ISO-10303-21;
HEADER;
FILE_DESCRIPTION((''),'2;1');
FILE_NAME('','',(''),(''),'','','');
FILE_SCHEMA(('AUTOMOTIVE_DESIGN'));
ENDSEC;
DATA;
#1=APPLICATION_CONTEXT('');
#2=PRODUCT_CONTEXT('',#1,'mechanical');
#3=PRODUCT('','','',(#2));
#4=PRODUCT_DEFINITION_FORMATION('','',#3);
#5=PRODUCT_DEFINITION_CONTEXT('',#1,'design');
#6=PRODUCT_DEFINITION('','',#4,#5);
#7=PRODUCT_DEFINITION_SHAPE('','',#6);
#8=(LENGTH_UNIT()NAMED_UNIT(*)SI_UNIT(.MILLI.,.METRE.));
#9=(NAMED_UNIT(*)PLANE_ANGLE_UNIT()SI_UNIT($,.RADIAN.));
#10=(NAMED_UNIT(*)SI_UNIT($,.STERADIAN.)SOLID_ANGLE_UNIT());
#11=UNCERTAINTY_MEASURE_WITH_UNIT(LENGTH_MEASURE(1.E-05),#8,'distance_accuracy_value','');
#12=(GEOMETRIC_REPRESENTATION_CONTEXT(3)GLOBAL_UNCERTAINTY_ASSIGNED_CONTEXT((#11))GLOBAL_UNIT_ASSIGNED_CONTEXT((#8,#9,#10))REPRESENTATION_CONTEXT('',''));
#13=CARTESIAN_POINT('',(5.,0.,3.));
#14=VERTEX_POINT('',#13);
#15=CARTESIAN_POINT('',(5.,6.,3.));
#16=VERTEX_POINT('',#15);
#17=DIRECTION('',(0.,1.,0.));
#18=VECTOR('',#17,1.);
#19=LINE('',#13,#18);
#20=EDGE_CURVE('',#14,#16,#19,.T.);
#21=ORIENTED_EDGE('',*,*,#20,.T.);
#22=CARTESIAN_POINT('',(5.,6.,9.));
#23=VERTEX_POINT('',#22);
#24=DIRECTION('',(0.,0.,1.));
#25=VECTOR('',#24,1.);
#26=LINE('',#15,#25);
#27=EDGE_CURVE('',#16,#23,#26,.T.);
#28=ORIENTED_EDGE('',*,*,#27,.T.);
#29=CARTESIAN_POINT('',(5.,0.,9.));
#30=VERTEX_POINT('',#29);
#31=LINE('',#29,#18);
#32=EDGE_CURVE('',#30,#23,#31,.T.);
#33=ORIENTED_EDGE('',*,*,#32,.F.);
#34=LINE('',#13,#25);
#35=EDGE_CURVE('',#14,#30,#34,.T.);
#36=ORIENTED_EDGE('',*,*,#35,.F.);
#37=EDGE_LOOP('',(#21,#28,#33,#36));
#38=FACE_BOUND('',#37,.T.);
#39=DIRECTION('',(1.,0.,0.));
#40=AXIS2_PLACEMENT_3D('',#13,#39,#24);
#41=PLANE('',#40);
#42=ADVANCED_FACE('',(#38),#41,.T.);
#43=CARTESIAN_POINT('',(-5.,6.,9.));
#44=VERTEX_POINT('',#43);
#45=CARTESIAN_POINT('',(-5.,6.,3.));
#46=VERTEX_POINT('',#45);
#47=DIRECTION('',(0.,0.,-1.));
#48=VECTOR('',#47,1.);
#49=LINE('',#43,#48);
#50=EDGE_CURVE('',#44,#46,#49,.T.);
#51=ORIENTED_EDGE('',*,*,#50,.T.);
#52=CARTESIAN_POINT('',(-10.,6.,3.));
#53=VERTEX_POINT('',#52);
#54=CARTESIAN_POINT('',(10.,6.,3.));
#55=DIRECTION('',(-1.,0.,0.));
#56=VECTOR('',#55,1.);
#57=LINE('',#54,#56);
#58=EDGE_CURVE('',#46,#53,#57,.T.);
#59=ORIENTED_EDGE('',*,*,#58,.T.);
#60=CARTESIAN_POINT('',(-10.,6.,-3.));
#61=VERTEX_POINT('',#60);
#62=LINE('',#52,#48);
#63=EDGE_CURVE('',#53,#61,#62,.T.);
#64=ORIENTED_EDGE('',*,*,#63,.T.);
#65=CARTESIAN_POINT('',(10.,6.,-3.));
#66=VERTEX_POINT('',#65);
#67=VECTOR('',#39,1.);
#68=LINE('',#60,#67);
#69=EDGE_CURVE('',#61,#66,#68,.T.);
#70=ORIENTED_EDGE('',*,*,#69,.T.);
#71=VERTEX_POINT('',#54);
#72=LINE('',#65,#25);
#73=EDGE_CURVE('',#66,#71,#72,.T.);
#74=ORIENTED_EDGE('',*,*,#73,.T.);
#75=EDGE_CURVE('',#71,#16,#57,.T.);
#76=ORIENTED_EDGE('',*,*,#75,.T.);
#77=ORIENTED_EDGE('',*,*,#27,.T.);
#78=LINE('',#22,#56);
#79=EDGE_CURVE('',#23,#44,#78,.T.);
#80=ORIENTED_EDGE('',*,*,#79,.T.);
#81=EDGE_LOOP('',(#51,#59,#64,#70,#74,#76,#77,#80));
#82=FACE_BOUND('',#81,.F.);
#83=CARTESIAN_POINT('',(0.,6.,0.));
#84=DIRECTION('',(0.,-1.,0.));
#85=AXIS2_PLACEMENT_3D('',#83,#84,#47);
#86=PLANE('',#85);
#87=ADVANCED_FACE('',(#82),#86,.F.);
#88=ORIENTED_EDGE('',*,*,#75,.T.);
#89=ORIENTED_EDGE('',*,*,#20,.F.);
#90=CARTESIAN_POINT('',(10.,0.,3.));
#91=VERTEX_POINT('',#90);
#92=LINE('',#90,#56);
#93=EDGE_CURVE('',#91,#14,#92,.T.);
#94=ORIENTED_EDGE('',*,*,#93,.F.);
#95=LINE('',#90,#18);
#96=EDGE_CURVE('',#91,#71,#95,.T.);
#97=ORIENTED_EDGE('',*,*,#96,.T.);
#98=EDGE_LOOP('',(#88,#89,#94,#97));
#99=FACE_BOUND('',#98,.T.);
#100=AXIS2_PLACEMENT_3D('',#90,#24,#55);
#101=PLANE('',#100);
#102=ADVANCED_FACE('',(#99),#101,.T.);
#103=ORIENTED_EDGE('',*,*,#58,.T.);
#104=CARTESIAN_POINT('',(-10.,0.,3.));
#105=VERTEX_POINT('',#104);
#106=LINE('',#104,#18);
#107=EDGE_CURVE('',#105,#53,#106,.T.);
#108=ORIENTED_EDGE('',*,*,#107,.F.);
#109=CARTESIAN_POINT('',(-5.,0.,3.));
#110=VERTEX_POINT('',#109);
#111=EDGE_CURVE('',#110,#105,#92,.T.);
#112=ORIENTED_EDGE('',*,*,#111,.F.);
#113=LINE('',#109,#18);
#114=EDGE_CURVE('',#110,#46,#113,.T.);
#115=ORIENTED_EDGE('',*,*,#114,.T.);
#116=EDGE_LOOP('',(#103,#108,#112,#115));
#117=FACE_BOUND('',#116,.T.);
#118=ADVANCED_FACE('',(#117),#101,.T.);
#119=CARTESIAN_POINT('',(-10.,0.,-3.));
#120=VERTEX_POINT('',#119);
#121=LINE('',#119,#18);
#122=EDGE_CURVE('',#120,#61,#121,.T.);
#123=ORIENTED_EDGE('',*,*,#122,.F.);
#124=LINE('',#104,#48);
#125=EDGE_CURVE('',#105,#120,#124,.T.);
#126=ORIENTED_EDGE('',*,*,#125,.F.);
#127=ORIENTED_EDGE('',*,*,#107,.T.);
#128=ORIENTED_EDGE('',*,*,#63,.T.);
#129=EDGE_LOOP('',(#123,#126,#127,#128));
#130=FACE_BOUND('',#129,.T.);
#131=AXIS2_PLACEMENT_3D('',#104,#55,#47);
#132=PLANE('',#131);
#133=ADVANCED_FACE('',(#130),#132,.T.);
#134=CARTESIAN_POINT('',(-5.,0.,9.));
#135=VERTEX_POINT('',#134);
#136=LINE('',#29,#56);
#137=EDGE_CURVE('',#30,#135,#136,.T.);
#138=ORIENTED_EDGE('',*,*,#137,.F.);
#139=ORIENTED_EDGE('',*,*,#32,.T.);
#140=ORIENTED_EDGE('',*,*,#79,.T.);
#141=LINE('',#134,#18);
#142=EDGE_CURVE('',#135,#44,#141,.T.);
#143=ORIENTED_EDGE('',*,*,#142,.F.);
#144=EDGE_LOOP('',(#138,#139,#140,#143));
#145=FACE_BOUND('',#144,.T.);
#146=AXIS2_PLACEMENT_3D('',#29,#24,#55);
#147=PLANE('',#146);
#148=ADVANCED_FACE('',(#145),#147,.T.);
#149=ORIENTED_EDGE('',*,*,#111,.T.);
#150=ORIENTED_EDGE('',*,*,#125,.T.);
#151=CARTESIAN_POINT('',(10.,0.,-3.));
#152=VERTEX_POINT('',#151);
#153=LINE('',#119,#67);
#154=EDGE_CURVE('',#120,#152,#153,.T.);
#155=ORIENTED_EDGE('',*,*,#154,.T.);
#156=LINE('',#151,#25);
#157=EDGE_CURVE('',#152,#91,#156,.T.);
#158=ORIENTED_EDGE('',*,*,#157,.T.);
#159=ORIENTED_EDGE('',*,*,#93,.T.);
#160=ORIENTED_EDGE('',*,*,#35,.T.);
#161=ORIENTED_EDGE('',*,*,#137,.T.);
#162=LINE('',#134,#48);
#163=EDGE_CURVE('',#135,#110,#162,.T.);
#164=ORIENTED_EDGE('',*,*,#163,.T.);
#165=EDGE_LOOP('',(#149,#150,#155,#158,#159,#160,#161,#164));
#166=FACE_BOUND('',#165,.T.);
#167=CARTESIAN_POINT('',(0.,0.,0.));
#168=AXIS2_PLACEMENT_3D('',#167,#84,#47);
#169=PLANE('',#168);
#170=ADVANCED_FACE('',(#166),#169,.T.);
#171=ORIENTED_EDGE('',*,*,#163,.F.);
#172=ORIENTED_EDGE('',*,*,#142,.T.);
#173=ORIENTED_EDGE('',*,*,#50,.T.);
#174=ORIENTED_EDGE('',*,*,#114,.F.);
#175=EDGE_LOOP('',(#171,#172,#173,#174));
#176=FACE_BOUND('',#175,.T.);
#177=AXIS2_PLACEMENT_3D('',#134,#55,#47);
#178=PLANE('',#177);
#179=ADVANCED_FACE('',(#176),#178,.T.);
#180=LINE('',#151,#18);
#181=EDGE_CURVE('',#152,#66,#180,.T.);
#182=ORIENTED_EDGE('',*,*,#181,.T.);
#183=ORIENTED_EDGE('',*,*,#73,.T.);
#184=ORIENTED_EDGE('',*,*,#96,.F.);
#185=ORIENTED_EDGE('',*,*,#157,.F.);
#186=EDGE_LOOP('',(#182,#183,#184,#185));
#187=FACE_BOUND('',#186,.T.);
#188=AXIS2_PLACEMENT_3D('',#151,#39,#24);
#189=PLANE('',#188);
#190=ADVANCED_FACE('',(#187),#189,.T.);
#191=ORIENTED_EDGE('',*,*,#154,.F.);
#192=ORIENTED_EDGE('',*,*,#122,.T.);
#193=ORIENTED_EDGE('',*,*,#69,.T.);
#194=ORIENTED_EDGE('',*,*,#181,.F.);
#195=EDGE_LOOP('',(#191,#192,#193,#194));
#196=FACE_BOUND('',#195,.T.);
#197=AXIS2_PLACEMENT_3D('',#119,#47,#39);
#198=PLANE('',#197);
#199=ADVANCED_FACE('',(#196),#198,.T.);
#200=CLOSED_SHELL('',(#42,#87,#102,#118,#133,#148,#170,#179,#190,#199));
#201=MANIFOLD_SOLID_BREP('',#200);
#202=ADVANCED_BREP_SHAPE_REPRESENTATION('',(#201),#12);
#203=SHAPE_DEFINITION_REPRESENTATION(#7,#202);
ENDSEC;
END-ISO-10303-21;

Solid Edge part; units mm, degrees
sketch "Sketch1" plane through (0, 0, 0) normal (0, -1, 0) x (1, 0, 0)
  line L0 (-10, -3) -> (10, -3)
  line L1 (10, -3) -> (10, 3)
  line L2 (10, 3) -> (-10, 3)
  line L3 (-10, 3) -> (-10, -3)
  dimension "D1" = 20
  dimension "D2" = 6
extrude "Protrusion1" add sketch "Sketch1" against normal blind 6
sketch "Sketch2" plane through (0, 0, 0) normal (0, -1, 0) x (1, 0, 0)
  line L0 (-5, 3) -> (5, 3)
  line L1 (5, 3) -> (5, 9)
  line L2 (5, 9) -> (-5, 9)
  line L3 (-5, 9) -> (-5, 3)
  dimension "D1" = 10
  dimension "D2" = 6
  dimension "D3" = 5
extrude "ExtrudedProtrusion_2" add sketch "Sketch2" against normal blind 6
properties material "Wood, Mahogany"
